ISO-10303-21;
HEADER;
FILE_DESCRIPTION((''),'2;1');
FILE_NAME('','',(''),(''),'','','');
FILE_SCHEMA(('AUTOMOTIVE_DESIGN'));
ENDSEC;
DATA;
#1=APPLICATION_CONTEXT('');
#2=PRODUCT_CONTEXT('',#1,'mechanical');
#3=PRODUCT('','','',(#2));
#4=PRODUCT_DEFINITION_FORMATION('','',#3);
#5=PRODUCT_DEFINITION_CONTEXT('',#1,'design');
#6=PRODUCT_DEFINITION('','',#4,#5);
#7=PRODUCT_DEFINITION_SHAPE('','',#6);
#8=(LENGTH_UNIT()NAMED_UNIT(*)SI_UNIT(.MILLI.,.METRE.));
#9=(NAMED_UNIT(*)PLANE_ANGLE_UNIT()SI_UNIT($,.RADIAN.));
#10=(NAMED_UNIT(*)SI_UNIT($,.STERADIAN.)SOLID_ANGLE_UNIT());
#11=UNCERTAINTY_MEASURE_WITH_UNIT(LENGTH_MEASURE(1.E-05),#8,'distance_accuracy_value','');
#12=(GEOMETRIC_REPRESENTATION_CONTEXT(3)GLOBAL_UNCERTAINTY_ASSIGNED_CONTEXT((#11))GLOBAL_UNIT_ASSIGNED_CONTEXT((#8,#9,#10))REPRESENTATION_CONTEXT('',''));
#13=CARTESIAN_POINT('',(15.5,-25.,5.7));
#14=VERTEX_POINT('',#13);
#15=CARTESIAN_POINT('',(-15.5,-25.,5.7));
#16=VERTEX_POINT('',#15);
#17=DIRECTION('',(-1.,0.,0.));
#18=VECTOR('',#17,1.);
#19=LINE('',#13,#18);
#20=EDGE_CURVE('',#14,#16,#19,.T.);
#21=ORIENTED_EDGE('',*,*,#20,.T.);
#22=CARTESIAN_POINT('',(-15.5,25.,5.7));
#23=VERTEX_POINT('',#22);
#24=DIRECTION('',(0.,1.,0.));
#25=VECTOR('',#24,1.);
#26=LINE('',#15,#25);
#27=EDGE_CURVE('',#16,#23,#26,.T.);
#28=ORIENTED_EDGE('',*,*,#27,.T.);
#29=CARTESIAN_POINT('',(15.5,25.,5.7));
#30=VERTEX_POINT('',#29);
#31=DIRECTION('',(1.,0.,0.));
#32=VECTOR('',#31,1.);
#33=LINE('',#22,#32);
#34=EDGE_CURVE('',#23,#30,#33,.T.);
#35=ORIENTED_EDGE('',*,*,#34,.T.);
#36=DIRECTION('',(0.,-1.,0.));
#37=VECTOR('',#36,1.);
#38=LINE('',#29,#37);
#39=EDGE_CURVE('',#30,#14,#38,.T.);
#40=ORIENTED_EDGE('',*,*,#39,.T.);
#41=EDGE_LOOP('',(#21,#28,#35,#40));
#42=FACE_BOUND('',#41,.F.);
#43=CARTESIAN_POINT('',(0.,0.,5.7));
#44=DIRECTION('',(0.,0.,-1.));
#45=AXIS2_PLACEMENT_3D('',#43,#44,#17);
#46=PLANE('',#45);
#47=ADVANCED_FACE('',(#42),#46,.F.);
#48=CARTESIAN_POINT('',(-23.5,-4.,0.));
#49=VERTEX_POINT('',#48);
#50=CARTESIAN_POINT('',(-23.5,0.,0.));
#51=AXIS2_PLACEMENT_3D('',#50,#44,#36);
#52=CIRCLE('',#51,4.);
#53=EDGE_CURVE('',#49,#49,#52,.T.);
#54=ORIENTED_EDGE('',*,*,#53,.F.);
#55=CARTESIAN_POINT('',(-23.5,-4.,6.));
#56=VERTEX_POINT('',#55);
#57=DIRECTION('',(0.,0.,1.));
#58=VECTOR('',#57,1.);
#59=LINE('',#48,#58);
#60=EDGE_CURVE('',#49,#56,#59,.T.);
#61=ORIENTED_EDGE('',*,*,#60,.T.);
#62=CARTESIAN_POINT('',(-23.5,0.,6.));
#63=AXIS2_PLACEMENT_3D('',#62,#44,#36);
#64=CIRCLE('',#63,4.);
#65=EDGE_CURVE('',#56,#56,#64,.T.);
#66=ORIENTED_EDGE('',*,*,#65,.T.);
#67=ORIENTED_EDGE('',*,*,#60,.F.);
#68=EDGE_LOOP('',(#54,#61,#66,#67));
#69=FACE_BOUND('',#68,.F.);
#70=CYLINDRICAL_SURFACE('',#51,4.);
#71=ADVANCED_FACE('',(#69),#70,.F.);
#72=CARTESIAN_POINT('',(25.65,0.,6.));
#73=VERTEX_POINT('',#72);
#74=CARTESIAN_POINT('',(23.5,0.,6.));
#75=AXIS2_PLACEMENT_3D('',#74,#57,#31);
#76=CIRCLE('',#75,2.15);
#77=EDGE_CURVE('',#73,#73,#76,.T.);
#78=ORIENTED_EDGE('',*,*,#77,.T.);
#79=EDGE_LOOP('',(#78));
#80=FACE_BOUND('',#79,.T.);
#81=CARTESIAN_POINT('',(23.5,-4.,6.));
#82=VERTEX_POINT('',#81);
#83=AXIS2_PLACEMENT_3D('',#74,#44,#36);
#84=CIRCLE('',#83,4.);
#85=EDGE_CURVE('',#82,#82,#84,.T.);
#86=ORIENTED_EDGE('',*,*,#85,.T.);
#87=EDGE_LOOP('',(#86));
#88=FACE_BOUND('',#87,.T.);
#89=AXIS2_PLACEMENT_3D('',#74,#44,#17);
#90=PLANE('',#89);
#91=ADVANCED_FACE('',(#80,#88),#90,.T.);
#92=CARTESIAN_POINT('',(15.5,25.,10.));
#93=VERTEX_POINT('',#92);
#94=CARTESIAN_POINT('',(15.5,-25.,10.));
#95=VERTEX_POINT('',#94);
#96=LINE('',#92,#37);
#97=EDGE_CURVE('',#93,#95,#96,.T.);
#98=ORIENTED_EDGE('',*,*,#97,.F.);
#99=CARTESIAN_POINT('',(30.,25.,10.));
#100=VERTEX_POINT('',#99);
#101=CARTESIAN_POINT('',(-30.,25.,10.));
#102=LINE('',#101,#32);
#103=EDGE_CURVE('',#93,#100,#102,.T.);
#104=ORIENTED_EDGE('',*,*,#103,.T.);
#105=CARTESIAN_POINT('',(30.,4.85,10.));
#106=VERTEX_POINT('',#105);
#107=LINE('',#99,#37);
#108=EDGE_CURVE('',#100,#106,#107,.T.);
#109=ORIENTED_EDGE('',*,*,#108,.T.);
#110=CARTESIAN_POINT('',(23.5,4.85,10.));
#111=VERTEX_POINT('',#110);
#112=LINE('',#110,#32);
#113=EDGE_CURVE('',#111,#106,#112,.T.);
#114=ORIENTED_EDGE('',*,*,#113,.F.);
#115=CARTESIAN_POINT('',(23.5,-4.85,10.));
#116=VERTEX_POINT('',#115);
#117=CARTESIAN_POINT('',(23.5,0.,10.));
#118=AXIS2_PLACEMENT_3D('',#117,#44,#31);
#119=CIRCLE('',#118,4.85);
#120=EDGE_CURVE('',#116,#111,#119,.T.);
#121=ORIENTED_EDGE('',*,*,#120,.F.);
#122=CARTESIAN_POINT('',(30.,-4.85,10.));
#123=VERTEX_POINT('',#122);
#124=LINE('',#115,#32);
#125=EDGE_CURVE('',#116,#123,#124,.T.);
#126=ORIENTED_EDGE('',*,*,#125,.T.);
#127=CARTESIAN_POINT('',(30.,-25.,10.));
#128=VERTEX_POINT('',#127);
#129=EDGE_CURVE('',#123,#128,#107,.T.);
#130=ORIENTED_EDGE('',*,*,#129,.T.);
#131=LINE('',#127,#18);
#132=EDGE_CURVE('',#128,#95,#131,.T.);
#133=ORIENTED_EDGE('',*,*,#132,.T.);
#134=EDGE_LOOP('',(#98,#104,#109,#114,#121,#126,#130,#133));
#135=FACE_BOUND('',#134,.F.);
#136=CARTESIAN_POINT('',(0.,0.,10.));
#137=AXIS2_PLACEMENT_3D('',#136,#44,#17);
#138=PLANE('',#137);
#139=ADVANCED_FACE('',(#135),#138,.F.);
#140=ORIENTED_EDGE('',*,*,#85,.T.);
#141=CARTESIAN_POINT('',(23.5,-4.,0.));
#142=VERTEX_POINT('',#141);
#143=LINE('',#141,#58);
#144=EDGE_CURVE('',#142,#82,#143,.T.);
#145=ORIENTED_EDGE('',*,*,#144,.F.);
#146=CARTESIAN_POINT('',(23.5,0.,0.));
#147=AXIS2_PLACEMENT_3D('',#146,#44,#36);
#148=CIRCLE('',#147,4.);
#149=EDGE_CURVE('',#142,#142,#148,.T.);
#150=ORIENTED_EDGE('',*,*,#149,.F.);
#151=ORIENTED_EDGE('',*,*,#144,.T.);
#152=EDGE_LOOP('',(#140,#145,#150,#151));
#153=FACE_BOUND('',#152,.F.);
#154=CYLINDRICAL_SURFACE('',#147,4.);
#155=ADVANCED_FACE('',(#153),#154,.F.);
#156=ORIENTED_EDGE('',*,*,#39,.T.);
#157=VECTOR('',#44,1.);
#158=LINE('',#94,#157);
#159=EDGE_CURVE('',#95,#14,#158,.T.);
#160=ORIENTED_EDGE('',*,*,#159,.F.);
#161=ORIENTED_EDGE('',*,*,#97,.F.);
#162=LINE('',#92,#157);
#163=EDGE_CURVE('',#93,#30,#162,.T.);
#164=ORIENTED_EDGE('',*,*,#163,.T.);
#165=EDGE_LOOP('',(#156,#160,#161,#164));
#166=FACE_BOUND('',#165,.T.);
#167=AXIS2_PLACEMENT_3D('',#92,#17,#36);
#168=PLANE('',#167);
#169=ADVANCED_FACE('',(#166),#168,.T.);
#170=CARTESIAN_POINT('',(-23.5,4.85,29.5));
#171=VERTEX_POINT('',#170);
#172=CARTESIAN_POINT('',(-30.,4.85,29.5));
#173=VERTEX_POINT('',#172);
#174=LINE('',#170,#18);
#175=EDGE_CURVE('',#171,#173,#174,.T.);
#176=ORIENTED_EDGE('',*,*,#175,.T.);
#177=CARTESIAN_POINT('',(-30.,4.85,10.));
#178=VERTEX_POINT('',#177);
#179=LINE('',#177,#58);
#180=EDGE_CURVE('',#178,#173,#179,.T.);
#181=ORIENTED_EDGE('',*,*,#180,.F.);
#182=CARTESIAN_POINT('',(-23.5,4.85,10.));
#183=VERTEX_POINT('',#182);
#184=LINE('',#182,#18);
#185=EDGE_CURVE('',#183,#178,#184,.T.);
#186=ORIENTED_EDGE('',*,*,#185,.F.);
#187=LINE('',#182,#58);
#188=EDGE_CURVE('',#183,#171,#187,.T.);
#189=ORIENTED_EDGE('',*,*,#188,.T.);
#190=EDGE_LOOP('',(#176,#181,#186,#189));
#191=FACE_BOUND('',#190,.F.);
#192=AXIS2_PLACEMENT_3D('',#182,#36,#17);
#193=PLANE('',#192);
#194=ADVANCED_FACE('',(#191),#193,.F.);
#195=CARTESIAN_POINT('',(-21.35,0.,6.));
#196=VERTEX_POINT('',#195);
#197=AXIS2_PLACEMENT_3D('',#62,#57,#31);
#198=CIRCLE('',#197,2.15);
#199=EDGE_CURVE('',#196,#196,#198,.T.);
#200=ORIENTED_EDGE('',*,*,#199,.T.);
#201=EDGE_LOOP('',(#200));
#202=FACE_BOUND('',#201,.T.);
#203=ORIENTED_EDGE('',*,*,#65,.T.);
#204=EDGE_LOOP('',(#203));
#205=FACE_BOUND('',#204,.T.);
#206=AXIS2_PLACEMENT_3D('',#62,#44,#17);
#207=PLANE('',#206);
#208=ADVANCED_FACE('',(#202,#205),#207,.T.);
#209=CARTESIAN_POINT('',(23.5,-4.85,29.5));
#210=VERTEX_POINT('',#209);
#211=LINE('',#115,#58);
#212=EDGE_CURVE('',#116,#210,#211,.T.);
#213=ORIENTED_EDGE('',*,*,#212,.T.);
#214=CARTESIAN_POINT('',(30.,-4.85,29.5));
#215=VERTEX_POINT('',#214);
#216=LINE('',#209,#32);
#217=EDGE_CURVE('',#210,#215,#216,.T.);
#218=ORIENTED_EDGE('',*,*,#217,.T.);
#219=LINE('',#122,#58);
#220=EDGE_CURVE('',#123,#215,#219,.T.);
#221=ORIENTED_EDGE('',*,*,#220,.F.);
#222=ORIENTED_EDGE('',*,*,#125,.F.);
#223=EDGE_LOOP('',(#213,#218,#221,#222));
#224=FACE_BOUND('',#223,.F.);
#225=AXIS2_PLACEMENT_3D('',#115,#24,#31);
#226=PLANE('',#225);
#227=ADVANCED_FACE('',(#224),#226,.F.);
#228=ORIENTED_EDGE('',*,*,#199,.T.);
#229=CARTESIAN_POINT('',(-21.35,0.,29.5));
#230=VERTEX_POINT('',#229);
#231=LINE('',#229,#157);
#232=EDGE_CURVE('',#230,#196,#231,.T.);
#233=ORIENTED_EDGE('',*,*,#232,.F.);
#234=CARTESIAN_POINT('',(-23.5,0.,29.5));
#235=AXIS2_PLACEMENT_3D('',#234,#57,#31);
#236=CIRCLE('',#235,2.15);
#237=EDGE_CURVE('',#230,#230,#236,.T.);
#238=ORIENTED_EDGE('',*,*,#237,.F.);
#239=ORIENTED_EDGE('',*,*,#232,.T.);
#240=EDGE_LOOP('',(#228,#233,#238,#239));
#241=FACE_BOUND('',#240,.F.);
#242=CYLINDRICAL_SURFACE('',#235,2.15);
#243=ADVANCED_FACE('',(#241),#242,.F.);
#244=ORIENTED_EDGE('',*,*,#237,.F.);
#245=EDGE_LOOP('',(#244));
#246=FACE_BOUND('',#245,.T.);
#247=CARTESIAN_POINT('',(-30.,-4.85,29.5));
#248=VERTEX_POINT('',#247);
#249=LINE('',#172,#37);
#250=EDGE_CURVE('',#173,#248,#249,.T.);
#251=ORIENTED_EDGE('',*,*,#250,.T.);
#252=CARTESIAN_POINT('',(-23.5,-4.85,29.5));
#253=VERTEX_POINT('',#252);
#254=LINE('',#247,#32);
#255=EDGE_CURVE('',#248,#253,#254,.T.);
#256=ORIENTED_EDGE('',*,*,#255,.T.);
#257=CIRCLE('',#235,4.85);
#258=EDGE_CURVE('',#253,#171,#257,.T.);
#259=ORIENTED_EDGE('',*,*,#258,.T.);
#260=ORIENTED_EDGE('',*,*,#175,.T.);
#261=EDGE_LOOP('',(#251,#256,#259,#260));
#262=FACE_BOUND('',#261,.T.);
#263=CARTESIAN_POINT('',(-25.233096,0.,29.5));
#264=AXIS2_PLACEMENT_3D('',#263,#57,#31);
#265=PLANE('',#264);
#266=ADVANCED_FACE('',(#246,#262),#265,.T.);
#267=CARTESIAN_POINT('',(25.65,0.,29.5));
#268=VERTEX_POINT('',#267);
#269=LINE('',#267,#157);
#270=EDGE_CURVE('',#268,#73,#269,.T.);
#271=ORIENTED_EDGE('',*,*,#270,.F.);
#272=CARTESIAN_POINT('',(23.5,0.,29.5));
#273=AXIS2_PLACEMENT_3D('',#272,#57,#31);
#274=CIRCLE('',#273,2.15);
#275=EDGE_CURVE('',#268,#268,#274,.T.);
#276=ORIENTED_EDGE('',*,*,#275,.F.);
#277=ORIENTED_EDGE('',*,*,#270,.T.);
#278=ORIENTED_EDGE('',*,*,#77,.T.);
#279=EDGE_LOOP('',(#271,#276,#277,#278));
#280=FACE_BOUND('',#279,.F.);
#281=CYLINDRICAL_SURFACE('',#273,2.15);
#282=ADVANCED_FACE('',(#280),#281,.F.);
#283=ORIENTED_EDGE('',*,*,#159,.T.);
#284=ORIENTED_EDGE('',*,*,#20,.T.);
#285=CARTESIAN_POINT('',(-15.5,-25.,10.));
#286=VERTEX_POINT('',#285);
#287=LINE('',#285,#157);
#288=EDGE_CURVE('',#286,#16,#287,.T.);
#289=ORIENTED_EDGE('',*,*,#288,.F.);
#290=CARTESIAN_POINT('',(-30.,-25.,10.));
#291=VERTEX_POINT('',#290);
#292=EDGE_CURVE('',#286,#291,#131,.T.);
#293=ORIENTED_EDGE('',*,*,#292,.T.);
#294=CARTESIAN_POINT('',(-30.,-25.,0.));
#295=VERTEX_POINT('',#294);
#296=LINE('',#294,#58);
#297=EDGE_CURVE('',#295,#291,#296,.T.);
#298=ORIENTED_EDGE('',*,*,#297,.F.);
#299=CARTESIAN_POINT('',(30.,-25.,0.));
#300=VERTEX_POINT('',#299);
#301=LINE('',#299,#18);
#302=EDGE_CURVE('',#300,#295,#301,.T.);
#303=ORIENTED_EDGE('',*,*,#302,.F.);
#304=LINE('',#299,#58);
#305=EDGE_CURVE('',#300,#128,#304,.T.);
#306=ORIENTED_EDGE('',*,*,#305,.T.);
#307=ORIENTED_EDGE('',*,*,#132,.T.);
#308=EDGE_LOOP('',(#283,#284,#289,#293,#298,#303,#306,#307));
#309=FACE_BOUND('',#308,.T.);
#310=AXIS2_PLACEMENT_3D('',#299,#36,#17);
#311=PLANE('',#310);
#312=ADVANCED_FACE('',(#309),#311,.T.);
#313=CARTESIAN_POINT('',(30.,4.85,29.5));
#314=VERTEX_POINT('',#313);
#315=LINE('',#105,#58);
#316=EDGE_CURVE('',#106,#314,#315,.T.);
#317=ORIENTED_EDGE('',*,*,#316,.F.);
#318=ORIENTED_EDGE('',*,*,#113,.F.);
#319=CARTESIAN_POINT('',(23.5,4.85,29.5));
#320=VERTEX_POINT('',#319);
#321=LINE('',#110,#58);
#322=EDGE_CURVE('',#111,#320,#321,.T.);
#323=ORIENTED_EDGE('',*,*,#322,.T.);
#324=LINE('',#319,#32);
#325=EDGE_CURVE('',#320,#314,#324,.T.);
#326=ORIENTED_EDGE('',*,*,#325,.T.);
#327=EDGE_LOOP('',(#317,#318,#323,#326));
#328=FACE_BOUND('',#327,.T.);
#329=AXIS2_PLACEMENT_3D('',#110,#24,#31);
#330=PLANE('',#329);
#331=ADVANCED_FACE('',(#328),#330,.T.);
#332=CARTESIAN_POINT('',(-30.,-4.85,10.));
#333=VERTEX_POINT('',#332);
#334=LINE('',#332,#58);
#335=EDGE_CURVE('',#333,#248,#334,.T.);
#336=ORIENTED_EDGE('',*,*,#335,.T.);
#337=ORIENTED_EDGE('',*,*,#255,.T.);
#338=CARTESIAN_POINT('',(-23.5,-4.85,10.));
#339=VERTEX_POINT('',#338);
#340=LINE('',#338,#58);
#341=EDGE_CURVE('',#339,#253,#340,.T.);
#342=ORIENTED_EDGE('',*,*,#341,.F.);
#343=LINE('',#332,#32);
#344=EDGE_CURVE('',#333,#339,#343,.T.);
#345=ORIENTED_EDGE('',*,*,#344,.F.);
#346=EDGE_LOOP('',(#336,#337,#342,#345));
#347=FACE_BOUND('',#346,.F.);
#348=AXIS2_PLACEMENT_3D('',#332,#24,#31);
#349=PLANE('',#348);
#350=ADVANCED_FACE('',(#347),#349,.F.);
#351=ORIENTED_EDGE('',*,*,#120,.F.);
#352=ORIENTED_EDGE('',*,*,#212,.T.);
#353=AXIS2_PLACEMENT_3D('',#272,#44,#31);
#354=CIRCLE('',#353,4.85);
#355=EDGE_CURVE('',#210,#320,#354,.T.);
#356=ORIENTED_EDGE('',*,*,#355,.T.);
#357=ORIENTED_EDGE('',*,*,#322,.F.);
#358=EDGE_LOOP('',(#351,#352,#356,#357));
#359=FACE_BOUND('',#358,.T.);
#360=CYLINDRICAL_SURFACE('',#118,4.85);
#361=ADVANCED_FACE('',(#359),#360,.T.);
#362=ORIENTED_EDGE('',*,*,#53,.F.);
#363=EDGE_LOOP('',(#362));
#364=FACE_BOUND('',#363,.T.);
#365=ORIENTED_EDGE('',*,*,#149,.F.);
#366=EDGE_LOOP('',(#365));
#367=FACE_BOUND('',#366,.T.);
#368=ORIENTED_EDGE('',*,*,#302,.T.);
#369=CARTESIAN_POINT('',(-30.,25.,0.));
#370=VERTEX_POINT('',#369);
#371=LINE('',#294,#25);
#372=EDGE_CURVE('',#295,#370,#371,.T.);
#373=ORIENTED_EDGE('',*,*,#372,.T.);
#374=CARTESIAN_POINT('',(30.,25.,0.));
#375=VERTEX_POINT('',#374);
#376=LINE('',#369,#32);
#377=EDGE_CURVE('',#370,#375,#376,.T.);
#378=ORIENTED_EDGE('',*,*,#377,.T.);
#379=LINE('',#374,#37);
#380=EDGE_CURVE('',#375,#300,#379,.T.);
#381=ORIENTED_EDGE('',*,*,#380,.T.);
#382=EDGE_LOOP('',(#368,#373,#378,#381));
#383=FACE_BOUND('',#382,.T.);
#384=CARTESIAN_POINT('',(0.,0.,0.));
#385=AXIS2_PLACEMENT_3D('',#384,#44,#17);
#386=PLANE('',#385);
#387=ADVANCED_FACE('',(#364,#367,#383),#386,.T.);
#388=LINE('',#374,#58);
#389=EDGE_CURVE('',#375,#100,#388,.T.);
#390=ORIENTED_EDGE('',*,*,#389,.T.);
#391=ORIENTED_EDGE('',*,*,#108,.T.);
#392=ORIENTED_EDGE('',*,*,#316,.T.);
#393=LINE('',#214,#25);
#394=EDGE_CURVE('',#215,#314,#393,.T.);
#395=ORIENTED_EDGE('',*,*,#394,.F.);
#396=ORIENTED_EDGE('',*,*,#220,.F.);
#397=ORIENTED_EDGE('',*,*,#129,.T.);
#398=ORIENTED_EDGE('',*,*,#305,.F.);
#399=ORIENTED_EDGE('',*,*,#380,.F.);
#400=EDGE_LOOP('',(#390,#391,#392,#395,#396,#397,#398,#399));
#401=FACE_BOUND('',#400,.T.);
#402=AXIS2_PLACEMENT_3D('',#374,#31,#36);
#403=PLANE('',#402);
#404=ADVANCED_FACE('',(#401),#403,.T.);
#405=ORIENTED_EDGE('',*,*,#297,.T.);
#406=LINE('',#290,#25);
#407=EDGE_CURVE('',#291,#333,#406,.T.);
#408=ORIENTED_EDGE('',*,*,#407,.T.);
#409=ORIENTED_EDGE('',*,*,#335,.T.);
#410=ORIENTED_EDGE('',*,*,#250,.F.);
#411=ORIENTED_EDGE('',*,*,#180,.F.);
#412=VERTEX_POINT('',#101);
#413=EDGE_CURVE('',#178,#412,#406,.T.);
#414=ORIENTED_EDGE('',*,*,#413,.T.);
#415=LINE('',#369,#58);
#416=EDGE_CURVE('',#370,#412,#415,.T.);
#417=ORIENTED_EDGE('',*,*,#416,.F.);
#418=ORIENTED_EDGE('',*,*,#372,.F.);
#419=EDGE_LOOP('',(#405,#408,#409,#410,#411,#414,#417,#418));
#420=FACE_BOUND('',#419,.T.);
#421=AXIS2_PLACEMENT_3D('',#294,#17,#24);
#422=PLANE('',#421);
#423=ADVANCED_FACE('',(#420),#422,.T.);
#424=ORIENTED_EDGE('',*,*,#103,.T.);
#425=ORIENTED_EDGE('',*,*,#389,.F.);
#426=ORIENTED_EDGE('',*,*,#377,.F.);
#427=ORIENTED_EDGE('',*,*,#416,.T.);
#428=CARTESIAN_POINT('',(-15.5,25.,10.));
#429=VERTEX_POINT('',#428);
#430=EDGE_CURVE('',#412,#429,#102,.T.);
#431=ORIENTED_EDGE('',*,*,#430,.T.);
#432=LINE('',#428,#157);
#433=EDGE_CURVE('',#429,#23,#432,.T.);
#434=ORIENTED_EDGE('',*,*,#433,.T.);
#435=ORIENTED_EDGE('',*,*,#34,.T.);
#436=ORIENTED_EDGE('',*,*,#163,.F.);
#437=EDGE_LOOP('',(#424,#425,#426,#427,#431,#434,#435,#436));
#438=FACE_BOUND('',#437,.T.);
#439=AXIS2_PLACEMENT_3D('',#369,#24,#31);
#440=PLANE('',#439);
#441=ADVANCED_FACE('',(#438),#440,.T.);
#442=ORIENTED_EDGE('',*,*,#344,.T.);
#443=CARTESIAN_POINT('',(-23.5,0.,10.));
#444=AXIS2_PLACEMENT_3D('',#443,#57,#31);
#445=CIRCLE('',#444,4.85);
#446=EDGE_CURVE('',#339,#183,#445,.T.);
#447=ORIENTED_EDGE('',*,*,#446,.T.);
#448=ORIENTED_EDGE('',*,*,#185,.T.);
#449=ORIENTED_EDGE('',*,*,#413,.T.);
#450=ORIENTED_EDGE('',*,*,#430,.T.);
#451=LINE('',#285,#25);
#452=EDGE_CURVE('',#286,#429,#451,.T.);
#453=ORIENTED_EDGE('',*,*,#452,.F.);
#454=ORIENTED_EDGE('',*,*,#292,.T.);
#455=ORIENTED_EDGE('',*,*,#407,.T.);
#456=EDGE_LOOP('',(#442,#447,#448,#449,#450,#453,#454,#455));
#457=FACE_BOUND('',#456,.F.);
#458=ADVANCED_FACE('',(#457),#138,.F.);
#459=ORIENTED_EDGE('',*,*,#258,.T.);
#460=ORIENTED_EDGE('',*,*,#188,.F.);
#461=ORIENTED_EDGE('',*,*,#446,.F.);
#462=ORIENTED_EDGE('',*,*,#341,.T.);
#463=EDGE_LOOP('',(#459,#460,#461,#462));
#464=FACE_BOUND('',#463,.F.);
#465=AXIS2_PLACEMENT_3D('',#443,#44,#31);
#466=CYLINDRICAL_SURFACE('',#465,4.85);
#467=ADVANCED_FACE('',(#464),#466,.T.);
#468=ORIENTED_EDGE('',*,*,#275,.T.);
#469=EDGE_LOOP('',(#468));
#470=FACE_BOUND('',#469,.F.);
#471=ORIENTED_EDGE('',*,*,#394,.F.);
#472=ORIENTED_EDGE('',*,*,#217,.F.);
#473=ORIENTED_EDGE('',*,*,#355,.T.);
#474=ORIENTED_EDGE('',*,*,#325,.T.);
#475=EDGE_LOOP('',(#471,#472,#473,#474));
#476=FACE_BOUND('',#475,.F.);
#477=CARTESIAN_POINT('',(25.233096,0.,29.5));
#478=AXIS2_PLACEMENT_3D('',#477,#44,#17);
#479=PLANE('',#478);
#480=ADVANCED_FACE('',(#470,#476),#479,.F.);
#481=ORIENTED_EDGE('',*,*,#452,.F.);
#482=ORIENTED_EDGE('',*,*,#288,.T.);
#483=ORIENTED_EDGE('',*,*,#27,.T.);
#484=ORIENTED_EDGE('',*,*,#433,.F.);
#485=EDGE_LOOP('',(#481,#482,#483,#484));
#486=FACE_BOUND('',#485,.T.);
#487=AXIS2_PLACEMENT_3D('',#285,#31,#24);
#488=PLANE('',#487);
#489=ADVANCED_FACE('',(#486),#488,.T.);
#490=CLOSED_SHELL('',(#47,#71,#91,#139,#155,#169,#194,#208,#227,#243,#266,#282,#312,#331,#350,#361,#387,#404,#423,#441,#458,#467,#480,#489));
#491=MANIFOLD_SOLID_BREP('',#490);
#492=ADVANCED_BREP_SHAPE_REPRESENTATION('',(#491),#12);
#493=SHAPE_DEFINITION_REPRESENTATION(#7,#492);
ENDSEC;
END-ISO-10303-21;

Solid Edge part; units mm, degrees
sketch "Sketch1" plane through (0, 0, 0) normal (0, 0, 1) x (1, 0, 0)
  line L0 (30, -25) -> (-30, -25)
  line L1 (-30, -25) -> (-30, 25)
  line L2 (-30, 25) -> (30, 25)
  line L3 (30, 25) -> (30, -25)
  dimension "D1" = 60
  dimension "D2" = 50
extrude "Protrusion1" add sketch "Sketch1" along normal blind 10
sketch "Sketch2" plane through (0, 0, 10) normal (0, 0, 1) x (1, 0, 0)
  line L0 (-23.5, 4.85) -> (-30, 4.85)
  line L1 (-30, 4.85) -> (-30, -4.85)
  line L2 (-30, -4.85) -> (-23.5, -4.85)
  arc A0 (-23.5, -4.85) -> (-23.5, 4.85) centre (-23.5, 0) ccw
  line L3 (23.5, 4.85) -> (30, 4.85)
  line L4 (30, -4.85) -> (30, 4.85)
  line L5 (23.5, -4.85) -> (30, -4.85)
  arc A1 (23.5, -4.85) -> (23.5, 4.85) centre (23.5, 0) cw
extrude "ProtrusiónExtruida_2" add sketch "Sketch2" along normal blind 19.5
sketch "Sketch3" plane through (-24.325, 0, 29.5) normal (0, 0, 1) x (1, 0, 0)
  circle A0 centre (0.825, 0) radius 2.15
  circle A1 centre (47.825, 0) radius 2.15
extrude "VaciadoExtruido_1" cut sketch "Sketch3" against normal blind 72.3664
sketch "Sketch4" plane through (0, 0, 0) normal (0, 0, -1) x (0, -1, 0)
  circle A0 centre (0, -23.5) radius 4
  circle A1 centre (0, 23.5) radius 4
extrude "VaciadoExtruido_2" cut sketch "Sketch4" against normal blind 6
sketch "Sketch5" plane through (0, 0, 10) normal (0, 0, 1) x (-1, 0, 0)
  line L0 (15.5, -25) -> (-15.5, -25)
  line L1 (-15.5, -25) -> (-15.5, 25)
  line L2 (-15.5, 25) -> (15.5, 25)
  line L3 (15.5, 25) -> (15.5, -25)
  dimension "D1" = 31
extrude "VaciadoExtruido_3" cut sketch "Sketch5" against normal blind 4.3
